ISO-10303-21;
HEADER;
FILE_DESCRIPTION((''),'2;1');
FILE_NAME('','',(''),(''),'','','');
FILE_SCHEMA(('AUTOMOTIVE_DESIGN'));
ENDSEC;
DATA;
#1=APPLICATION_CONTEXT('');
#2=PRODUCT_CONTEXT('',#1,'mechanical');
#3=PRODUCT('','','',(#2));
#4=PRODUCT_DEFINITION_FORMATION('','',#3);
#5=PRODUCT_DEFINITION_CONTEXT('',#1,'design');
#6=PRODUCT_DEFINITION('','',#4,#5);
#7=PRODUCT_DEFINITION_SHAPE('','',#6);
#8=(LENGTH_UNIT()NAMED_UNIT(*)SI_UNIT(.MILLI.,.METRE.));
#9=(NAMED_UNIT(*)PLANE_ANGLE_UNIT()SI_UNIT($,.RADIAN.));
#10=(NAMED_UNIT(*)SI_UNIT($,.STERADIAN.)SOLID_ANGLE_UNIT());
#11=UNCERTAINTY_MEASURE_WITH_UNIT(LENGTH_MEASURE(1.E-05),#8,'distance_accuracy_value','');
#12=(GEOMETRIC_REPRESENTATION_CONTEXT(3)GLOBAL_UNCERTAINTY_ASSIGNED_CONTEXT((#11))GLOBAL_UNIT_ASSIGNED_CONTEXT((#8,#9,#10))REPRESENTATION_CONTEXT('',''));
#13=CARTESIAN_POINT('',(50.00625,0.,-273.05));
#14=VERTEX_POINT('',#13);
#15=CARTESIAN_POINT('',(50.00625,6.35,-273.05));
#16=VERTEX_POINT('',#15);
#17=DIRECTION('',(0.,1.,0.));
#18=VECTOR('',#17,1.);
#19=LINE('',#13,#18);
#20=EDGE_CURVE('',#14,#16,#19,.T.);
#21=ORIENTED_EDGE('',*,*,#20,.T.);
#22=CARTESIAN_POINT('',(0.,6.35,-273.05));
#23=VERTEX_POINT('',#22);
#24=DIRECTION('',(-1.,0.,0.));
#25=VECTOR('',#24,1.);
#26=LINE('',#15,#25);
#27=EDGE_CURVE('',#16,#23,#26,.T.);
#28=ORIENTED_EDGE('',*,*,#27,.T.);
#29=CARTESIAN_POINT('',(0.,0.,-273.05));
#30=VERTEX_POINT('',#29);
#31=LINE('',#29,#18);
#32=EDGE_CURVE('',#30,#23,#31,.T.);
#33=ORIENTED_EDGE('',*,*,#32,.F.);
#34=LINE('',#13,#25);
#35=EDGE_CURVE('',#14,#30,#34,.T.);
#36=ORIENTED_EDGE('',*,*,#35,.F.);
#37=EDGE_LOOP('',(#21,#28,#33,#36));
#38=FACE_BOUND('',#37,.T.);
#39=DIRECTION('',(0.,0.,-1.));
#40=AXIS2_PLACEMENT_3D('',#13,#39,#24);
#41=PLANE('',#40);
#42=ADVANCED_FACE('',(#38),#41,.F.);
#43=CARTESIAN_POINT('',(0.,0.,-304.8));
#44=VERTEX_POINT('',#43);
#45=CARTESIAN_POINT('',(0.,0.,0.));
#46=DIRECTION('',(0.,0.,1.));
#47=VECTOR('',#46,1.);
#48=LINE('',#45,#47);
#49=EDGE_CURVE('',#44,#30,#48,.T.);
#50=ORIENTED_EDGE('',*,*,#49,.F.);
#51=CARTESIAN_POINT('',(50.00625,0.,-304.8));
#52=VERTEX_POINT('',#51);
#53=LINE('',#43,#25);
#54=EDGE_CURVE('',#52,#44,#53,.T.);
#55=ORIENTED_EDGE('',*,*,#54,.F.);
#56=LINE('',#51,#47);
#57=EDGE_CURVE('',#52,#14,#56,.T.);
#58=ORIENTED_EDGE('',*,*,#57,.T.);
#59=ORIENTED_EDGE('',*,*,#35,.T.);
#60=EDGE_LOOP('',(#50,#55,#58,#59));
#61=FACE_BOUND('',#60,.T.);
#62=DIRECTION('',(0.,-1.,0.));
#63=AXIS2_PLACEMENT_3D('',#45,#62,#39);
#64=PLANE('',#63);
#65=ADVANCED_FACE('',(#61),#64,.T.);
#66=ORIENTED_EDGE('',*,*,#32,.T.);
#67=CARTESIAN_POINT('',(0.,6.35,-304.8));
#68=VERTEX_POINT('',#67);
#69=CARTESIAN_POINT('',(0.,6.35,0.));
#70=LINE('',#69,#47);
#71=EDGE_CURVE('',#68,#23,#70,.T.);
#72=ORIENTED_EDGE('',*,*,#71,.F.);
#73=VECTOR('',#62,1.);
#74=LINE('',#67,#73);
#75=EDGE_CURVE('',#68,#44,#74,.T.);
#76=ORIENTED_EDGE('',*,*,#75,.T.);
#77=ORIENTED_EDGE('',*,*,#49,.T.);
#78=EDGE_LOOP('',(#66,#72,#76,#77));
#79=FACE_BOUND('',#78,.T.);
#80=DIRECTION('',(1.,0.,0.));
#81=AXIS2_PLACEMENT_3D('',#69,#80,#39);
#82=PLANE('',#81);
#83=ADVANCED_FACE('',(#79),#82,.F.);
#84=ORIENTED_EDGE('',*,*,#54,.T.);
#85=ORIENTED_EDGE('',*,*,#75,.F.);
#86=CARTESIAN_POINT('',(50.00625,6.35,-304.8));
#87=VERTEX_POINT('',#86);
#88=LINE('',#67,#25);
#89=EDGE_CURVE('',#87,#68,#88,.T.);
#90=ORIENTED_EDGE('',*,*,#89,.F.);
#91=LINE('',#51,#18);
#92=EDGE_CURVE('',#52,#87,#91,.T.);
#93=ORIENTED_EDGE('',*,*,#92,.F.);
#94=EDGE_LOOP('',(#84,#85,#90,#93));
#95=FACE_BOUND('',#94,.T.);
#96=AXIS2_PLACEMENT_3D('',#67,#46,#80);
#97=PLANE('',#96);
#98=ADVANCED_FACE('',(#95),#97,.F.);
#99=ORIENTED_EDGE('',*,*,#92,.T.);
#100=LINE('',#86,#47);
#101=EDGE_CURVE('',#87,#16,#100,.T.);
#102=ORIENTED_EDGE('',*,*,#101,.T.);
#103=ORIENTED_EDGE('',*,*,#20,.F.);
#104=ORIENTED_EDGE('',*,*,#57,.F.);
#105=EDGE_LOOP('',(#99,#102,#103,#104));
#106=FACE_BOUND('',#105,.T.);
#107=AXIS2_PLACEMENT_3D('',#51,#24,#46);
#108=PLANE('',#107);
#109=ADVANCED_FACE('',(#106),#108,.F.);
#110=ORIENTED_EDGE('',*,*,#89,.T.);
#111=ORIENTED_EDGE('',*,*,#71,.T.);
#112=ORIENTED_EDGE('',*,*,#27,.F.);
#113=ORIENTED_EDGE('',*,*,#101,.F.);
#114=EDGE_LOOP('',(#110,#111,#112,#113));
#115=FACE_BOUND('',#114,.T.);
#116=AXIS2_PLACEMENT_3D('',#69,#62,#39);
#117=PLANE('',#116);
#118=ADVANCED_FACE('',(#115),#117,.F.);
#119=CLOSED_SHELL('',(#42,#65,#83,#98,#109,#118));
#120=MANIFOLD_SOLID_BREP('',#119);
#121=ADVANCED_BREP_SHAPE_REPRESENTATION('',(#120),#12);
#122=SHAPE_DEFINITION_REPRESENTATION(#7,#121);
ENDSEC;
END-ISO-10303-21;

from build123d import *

# Parameters (mm, degrees)
SKETCH1_W           = 304.8
SKETCH1_H           = 304.8
BOSS_EXTRUDE1_DEPTH = 6.35
CUT_EXTRUDE2_DEPTH  = 6.35


with BuildPart() as part:
    # Sketch1 → Boss-Extrude1 (new body)
    with BuildSketch(Plane(origin=(0, 0, 0), x_dir=(1, 0, 0), z_dir=(0, 1, 0))):
        with Locations((152.4, 152.4)):
            Rectangle(SKETCH1_W, SKETCH1_H)
    extrude(amount=BOSS_EXTRUDE1_DEPTH)

    # Sketch2 → Cut-Extrude2 (cut)
    with BuildSketch(Plane(origin=(0, 6.35, 0), x_dir=(1, 0, 0), z_dir=(0, 1, 0))):
        Polygon((50.00625, 304.8), (50.00625, 273.05), (0, 273.05), (0, 0), (304.8, 0), (304.8, 304.8), align=None)
    extrude(amount=-CUT_EXTRUDE2_DEPTH, mode=Mode.SUBTRACT)


solid = part.part
